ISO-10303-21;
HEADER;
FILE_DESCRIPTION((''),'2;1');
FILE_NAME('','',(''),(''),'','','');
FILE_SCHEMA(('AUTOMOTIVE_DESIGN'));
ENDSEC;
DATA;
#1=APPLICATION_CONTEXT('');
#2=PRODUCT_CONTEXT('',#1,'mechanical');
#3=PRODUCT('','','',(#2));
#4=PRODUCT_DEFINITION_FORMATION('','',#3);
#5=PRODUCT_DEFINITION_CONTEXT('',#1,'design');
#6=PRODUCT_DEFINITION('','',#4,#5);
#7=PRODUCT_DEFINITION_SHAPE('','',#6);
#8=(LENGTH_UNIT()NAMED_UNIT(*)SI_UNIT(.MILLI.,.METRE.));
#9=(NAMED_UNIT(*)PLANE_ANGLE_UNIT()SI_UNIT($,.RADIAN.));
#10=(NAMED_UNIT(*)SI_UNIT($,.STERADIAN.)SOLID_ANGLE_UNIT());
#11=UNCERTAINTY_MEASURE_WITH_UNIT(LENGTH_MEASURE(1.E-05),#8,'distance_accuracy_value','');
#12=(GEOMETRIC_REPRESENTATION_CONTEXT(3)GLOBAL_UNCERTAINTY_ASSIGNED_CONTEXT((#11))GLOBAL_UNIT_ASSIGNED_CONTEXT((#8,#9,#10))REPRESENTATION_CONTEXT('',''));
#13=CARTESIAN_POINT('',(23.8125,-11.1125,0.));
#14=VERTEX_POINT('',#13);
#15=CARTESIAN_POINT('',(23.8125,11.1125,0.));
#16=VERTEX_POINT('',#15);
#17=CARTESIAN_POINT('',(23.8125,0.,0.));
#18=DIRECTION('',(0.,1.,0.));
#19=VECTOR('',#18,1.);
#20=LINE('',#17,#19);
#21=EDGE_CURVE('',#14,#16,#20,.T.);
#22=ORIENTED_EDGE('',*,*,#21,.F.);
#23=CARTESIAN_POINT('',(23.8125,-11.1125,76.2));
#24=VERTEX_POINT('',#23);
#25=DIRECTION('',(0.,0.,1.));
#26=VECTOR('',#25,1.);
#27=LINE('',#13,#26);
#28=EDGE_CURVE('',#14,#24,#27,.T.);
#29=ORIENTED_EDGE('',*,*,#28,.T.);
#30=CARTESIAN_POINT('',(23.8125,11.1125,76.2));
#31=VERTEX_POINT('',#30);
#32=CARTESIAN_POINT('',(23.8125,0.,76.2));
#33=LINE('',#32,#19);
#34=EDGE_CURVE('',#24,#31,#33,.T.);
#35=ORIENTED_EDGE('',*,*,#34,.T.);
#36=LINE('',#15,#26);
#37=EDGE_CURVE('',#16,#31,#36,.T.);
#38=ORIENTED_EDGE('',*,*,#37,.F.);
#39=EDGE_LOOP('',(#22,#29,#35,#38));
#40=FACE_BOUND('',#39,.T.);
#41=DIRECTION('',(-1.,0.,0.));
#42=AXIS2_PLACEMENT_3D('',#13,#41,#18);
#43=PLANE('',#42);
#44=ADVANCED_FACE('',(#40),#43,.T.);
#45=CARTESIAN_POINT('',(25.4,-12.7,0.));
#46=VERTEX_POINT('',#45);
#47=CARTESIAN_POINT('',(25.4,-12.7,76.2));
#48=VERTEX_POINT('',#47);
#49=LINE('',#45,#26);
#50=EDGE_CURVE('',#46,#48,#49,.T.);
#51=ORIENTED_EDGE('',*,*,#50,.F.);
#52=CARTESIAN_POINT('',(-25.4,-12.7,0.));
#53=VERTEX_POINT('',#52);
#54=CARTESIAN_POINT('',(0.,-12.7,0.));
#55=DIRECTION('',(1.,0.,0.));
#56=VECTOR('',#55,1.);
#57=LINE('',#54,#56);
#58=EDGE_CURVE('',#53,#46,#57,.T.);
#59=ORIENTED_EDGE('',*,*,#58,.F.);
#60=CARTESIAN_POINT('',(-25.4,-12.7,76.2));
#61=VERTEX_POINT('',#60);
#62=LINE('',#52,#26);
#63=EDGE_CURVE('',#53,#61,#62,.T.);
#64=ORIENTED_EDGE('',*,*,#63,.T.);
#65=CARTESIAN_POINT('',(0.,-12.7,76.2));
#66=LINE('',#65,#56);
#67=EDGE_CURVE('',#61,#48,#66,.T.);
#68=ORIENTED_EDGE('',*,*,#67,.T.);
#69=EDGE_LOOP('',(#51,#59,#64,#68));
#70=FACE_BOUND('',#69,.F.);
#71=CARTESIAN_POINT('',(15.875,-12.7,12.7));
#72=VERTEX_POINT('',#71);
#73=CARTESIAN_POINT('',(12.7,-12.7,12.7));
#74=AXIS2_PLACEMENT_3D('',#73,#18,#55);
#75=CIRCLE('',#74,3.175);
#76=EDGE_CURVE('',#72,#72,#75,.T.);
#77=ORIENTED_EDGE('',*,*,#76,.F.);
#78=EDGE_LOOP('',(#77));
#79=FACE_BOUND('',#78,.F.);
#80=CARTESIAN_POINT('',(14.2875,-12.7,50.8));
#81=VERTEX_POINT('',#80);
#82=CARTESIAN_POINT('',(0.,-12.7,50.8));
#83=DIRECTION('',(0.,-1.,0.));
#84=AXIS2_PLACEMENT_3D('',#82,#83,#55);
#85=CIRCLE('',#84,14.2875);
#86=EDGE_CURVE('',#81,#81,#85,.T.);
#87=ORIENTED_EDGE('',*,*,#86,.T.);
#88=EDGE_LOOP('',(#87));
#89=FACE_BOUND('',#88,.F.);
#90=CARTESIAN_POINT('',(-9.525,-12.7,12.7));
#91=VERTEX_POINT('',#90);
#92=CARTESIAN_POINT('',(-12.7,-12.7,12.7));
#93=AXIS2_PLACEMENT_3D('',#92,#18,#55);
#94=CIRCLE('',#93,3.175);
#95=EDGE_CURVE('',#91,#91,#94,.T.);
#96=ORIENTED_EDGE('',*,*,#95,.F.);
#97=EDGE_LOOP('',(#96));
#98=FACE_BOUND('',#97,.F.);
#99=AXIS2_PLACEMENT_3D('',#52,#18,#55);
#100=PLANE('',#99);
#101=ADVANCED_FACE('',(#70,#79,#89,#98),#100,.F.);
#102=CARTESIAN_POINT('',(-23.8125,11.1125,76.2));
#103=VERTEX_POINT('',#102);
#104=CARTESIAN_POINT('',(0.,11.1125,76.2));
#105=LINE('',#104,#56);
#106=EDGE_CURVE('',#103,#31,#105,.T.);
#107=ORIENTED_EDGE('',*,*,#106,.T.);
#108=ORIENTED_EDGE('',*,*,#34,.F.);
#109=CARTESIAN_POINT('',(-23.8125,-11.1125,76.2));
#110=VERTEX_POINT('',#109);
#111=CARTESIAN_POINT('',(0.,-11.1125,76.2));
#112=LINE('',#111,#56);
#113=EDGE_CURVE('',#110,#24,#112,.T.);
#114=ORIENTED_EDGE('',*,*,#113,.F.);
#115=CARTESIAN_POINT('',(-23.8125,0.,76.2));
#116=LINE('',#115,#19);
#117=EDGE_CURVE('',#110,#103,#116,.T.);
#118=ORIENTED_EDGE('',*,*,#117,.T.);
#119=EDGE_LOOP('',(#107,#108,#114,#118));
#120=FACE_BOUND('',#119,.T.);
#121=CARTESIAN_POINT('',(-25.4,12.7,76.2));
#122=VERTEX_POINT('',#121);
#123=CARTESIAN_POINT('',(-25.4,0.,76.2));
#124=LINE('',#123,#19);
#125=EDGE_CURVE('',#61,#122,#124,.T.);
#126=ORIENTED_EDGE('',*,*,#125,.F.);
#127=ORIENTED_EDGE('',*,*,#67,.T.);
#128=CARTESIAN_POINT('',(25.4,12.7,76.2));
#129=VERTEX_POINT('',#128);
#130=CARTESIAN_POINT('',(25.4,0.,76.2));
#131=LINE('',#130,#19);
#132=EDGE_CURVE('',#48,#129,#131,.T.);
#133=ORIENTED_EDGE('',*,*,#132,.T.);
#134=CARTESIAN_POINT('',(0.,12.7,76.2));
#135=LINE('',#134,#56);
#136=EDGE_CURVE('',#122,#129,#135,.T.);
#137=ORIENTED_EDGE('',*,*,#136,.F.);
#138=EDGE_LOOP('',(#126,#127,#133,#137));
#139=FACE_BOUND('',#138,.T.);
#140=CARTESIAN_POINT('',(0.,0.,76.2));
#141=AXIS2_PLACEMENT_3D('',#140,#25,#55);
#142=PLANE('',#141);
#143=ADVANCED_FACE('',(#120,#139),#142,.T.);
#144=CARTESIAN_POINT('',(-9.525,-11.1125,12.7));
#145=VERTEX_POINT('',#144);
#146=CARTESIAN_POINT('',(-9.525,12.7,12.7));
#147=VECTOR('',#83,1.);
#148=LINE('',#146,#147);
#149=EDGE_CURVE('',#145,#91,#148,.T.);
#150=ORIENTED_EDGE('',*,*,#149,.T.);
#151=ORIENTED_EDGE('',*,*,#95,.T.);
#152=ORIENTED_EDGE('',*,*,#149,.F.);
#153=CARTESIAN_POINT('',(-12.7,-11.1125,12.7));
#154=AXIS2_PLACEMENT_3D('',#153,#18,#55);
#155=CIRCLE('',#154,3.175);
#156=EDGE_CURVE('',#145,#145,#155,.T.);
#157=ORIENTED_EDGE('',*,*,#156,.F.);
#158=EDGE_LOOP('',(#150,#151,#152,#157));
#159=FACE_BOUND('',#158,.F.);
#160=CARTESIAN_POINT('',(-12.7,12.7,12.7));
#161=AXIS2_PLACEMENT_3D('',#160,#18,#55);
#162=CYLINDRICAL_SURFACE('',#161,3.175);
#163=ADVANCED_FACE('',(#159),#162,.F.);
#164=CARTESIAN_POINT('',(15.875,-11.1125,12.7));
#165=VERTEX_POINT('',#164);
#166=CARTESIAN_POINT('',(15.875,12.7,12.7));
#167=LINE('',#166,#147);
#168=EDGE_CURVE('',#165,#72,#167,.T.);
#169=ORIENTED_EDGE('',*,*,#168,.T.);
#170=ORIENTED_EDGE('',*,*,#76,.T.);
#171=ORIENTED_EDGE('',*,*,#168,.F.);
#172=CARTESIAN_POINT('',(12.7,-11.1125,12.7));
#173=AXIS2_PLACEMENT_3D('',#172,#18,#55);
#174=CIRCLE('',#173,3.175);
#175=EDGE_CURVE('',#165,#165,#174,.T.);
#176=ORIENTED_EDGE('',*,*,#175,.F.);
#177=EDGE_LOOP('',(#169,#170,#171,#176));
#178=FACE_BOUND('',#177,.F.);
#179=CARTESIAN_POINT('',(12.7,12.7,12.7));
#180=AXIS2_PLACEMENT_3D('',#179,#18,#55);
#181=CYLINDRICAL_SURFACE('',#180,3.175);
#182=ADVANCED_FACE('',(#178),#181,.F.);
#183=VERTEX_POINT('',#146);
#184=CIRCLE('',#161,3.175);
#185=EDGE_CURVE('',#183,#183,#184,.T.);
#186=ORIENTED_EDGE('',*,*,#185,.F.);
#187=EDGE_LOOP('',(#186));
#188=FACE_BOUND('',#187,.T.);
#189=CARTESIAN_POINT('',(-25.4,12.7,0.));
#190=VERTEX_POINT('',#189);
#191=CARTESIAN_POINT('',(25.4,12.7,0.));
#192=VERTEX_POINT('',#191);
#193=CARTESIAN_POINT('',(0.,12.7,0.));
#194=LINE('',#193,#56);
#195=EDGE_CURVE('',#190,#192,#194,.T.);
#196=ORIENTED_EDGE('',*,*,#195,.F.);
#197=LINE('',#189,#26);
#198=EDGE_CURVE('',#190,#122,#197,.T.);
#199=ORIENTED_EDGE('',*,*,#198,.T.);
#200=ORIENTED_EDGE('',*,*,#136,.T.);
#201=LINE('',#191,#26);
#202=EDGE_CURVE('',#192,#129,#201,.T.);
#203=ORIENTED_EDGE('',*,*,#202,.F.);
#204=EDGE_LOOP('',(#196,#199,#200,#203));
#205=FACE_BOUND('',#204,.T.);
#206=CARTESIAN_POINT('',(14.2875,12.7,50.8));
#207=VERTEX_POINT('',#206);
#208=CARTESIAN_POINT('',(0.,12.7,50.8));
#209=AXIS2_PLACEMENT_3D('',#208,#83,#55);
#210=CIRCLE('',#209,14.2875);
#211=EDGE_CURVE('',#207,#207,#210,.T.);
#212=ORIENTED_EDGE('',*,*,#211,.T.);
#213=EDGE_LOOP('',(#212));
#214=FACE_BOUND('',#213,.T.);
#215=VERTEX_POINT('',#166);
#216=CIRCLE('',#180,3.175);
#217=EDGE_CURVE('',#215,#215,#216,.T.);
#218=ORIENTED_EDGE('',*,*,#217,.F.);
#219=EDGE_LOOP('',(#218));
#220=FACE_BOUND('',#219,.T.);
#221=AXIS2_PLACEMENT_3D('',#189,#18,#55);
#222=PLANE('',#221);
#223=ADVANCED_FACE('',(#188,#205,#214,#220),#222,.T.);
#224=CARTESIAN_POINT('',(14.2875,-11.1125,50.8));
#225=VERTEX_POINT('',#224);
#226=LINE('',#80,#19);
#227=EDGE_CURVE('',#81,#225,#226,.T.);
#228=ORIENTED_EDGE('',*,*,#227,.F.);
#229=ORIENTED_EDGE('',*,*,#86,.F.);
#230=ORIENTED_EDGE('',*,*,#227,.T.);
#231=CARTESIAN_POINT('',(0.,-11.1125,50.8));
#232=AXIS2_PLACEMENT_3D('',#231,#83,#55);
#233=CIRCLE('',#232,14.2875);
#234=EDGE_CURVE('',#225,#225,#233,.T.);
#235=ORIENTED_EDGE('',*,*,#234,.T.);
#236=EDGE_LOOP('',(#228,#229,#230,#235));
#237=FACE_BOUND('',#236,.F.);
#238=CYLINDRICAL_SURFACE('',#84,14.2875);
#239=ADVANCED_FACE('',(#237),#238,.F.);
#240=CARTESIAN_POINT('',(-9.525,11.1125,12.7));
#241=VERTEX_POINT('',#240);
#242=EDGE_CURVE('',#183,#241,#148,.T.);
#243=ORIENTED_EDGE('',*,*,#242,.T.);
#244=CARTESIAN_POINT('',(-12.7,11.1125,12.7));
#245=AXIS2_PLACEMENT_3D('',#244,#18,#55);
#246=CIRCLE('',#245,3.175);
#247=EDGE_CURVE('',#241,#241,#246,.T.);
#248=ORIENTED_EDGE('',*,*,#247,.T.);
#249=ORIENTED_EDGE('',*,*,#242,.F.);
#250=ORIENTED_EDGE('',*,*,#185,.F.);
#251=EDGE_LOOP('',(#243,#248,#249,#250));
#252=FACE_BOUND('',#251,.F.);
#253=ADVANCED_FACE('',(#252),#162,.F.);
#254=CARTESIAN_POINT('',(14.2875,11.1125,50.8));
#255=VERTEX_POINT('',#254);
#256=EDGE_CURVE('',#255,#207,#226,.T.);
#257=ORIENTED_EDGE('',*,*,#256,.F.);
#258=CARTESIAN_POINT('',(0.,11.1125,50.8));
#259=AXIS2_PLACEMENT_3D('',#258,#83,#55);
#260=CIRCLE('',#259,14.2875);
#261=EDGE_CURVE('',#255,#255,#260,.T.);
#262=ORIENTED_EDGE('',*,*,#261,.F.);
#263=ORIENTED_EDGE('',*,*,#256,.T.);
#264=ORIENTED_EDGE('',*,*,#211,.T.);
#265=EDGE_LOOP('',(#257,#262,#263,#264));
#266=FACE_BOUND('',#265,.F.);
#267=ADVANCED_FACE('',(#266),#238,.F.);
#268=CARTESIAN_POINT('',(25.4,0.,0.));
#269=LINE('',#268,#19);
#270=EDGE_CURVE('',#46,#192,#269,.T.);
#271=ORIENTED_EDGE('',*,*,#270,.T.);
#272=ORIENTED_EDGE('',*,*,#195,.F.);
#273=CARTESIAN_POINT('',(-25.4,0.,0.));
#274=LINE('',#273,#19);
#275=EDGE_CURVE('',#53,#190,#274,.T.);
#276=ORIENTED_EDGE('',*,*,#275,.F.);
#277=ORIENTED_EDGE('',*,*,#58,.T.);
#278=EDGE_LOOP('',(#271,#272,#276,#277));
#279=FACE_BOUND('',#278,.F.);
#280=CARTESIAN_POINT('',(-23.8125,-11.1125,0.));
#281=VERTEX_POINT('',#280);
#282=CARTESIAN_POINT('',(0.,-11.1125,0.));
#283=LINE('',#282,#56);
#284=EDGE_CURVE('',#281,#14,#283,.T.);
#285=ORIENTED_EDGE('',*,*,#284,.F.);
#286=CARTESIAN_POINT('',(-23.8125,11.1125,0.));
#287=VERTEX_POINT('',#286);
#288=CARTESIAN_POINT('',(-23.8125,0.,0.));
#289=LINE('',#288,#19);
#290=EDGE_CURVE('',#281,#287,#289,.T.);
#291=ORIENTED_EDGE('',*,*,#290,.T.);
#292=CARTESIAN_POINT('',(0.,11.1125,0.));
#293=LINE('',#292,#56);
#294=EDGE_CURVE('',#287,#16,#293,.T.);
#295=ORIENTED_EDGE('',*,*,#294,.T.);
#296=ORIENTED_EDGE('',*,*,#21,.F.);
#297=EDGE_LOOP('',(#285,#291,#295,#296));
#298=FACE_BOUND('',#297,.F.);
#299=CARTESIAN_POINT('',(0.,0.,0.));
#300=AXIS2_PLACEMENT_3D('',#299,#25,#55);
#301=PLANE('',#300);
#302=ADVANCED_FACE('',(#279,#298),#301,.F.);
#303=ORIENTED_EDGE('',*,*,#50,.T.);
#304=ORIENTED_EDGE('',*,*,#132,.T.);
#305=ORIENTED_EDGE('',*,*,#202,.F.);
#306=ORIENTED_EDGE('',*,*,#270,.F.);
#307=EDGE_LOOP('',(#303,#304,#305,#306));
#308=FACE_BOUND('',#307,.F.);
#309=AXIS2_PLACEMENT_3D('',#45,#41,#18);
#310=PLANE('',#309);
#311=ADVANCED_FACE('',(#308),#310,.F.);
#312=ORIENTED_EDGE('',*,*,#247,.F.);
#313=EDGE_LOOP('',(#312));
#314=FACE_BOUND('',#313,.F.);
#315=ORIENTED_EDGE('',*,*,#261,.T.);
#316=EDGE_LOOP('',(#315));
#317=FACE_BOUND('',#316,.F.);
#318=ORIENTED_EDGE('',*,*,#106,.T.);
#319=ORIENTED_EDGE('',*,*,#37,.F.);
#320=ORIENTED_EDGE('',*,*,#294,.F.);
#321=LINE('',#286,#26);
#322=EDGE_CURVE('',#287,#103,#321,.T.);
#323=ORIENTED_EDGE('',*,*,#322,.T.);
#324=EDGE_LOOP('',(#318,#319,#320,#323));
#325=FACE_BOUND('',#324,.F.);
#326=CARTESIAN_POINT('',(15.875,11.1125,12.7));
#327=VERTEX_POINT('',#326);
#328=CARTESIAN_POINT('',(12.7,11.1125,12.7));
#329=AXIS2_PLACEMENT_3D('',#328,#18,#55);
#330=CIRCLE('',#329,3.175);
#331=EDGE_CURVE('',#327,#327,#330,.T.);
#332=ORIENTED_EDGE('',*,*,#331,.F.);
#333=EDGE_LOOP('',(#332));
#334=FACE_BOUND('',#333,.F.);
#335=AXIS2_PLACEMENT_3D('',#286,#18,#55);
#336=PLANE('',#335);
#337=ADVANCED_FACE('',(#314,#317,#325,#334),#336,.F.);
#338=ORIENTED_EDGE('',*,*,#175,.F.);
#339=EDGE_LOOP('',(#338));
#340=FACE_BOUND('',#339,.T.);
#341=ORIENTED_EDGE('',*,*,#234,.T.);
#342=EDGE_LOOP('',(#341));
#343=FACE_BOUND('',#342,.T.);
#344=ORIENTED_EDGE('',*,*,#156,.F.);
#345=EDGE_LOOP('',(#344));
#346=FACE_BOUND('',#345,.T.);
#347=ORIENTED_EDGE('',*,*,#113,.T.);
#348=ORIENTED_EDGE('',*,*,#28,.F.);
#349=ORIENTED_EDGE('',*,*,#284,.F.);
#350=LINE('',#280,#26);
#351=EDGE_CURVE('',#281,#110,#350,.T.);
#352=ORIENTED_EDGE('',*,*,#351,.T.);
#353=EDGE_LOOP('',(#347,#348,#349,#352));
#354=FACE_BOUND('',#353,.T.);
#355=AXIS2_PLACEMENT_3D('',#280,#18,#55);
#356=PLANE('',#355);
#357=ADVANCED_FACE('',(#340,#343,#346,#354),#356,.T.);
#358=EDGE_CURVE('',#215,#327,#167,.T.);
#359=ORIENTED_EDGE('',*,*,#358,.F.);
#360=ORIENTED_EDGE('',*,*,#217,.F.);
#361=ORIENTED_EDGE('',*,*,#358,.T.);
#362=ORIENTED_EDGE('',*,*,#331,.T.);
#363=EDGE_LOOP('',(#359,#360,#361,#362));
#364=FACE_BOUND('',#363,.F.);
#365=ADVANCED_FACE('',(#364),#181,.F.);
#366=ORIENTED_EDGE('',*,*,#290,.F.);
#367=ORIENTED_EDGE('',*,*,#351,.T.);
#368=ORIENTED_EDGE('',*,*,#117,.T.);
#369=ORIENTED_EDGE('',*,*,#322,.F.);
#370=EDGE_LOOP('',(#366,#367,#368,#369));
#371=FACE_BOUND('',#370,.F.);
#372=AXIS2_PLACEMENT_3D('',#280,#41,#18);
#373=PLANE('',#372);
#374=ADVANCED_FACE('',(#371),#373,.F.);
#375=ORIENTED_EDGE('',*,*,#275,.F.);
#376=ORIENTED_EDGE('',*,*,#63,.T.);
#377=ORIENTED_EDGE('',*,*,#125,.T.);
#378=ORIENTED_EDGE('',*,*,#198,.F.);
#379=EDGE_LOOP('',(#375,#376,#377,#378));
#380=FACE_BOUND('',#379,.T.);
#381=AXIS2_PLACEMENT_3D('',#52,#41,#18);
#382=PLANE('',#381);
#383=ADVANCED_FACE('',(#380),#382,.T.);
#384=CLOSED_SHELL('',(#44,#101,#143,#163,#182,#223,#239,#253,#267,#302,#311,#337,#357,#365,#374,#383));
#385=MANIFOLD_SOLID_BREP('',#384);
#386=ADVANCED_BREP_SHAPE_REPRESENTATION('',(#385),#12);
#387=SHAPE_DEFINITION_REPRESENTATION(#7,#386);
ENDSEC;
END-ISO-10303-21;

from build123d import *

# Parameters (mm, degrees)
SKETCH1_W           = 50.8
SKETCH1_H           = 25.4
SKETCH1_W_2         = 47.625
SKETCH1_H_2         = 22.225
BOSS_EXTRUDE1_DEPTH = 76.2
SKETCH2_R           = 14.2875
CUT_EXTRUDE1_DEPTH  = 26.4
SKETCH3_R           = 3.175
CUT_EXTRUDE2_DEPTH  = 25.4


with BuildPart() as part:
    # Sketch1 → Boss-Extrude1 (new body)
    with BuildSketch(Plane.XY):
        Rectangle(SKETCH1_W, SKETCH1_H)
        Rectangle(SKETCH1_W_2, SKETCH1_H_2, mode=Mode.SUBTRACT)
    extrude(amount=BOSS_EXTRUDE1_DEPTH)

    # Sketch2 → Cut-Extrude1 (cut, through all)
    with BuildSketch(Plane.XZ.offset(12.7)):
        with Locations((0, 50.8)):
            Circle(SKETCH2_R)
    extrude(amount=-CUT_EXTRUDE1_DEPTH, mode=Mode.SUBTRACT)

    # Sketch3 → Cut-Extrude2 (cut)
    with BuildSketch(Plane(origin=(0, 12.7, 0), x_dir=(1, 0, 0), z_dir=(0, 1, 0))):
        with Locations((12.7, -12.7)):
            Circle(SKETCH3_R)
        with Locations((-12.7, -12.7)):
            Circle(SKETCH3_R)
        with Locations((-12.7, 12.7)):
            Circle(SKETCH3_R)
        with Locations((12.7, 12.7)):
            Circle(SKETCH3_R)
        with Locations((12.7, 38.1)):
            Circle(SKETCH3_R)
        with Locations((-12.7, 38.1)):
            Circle(SKETCH3_R)
    extrude(amount=-CUT_EXTRUDE2_DEPTH, mode=Mode.SUBTRACT)


solid = part.part
